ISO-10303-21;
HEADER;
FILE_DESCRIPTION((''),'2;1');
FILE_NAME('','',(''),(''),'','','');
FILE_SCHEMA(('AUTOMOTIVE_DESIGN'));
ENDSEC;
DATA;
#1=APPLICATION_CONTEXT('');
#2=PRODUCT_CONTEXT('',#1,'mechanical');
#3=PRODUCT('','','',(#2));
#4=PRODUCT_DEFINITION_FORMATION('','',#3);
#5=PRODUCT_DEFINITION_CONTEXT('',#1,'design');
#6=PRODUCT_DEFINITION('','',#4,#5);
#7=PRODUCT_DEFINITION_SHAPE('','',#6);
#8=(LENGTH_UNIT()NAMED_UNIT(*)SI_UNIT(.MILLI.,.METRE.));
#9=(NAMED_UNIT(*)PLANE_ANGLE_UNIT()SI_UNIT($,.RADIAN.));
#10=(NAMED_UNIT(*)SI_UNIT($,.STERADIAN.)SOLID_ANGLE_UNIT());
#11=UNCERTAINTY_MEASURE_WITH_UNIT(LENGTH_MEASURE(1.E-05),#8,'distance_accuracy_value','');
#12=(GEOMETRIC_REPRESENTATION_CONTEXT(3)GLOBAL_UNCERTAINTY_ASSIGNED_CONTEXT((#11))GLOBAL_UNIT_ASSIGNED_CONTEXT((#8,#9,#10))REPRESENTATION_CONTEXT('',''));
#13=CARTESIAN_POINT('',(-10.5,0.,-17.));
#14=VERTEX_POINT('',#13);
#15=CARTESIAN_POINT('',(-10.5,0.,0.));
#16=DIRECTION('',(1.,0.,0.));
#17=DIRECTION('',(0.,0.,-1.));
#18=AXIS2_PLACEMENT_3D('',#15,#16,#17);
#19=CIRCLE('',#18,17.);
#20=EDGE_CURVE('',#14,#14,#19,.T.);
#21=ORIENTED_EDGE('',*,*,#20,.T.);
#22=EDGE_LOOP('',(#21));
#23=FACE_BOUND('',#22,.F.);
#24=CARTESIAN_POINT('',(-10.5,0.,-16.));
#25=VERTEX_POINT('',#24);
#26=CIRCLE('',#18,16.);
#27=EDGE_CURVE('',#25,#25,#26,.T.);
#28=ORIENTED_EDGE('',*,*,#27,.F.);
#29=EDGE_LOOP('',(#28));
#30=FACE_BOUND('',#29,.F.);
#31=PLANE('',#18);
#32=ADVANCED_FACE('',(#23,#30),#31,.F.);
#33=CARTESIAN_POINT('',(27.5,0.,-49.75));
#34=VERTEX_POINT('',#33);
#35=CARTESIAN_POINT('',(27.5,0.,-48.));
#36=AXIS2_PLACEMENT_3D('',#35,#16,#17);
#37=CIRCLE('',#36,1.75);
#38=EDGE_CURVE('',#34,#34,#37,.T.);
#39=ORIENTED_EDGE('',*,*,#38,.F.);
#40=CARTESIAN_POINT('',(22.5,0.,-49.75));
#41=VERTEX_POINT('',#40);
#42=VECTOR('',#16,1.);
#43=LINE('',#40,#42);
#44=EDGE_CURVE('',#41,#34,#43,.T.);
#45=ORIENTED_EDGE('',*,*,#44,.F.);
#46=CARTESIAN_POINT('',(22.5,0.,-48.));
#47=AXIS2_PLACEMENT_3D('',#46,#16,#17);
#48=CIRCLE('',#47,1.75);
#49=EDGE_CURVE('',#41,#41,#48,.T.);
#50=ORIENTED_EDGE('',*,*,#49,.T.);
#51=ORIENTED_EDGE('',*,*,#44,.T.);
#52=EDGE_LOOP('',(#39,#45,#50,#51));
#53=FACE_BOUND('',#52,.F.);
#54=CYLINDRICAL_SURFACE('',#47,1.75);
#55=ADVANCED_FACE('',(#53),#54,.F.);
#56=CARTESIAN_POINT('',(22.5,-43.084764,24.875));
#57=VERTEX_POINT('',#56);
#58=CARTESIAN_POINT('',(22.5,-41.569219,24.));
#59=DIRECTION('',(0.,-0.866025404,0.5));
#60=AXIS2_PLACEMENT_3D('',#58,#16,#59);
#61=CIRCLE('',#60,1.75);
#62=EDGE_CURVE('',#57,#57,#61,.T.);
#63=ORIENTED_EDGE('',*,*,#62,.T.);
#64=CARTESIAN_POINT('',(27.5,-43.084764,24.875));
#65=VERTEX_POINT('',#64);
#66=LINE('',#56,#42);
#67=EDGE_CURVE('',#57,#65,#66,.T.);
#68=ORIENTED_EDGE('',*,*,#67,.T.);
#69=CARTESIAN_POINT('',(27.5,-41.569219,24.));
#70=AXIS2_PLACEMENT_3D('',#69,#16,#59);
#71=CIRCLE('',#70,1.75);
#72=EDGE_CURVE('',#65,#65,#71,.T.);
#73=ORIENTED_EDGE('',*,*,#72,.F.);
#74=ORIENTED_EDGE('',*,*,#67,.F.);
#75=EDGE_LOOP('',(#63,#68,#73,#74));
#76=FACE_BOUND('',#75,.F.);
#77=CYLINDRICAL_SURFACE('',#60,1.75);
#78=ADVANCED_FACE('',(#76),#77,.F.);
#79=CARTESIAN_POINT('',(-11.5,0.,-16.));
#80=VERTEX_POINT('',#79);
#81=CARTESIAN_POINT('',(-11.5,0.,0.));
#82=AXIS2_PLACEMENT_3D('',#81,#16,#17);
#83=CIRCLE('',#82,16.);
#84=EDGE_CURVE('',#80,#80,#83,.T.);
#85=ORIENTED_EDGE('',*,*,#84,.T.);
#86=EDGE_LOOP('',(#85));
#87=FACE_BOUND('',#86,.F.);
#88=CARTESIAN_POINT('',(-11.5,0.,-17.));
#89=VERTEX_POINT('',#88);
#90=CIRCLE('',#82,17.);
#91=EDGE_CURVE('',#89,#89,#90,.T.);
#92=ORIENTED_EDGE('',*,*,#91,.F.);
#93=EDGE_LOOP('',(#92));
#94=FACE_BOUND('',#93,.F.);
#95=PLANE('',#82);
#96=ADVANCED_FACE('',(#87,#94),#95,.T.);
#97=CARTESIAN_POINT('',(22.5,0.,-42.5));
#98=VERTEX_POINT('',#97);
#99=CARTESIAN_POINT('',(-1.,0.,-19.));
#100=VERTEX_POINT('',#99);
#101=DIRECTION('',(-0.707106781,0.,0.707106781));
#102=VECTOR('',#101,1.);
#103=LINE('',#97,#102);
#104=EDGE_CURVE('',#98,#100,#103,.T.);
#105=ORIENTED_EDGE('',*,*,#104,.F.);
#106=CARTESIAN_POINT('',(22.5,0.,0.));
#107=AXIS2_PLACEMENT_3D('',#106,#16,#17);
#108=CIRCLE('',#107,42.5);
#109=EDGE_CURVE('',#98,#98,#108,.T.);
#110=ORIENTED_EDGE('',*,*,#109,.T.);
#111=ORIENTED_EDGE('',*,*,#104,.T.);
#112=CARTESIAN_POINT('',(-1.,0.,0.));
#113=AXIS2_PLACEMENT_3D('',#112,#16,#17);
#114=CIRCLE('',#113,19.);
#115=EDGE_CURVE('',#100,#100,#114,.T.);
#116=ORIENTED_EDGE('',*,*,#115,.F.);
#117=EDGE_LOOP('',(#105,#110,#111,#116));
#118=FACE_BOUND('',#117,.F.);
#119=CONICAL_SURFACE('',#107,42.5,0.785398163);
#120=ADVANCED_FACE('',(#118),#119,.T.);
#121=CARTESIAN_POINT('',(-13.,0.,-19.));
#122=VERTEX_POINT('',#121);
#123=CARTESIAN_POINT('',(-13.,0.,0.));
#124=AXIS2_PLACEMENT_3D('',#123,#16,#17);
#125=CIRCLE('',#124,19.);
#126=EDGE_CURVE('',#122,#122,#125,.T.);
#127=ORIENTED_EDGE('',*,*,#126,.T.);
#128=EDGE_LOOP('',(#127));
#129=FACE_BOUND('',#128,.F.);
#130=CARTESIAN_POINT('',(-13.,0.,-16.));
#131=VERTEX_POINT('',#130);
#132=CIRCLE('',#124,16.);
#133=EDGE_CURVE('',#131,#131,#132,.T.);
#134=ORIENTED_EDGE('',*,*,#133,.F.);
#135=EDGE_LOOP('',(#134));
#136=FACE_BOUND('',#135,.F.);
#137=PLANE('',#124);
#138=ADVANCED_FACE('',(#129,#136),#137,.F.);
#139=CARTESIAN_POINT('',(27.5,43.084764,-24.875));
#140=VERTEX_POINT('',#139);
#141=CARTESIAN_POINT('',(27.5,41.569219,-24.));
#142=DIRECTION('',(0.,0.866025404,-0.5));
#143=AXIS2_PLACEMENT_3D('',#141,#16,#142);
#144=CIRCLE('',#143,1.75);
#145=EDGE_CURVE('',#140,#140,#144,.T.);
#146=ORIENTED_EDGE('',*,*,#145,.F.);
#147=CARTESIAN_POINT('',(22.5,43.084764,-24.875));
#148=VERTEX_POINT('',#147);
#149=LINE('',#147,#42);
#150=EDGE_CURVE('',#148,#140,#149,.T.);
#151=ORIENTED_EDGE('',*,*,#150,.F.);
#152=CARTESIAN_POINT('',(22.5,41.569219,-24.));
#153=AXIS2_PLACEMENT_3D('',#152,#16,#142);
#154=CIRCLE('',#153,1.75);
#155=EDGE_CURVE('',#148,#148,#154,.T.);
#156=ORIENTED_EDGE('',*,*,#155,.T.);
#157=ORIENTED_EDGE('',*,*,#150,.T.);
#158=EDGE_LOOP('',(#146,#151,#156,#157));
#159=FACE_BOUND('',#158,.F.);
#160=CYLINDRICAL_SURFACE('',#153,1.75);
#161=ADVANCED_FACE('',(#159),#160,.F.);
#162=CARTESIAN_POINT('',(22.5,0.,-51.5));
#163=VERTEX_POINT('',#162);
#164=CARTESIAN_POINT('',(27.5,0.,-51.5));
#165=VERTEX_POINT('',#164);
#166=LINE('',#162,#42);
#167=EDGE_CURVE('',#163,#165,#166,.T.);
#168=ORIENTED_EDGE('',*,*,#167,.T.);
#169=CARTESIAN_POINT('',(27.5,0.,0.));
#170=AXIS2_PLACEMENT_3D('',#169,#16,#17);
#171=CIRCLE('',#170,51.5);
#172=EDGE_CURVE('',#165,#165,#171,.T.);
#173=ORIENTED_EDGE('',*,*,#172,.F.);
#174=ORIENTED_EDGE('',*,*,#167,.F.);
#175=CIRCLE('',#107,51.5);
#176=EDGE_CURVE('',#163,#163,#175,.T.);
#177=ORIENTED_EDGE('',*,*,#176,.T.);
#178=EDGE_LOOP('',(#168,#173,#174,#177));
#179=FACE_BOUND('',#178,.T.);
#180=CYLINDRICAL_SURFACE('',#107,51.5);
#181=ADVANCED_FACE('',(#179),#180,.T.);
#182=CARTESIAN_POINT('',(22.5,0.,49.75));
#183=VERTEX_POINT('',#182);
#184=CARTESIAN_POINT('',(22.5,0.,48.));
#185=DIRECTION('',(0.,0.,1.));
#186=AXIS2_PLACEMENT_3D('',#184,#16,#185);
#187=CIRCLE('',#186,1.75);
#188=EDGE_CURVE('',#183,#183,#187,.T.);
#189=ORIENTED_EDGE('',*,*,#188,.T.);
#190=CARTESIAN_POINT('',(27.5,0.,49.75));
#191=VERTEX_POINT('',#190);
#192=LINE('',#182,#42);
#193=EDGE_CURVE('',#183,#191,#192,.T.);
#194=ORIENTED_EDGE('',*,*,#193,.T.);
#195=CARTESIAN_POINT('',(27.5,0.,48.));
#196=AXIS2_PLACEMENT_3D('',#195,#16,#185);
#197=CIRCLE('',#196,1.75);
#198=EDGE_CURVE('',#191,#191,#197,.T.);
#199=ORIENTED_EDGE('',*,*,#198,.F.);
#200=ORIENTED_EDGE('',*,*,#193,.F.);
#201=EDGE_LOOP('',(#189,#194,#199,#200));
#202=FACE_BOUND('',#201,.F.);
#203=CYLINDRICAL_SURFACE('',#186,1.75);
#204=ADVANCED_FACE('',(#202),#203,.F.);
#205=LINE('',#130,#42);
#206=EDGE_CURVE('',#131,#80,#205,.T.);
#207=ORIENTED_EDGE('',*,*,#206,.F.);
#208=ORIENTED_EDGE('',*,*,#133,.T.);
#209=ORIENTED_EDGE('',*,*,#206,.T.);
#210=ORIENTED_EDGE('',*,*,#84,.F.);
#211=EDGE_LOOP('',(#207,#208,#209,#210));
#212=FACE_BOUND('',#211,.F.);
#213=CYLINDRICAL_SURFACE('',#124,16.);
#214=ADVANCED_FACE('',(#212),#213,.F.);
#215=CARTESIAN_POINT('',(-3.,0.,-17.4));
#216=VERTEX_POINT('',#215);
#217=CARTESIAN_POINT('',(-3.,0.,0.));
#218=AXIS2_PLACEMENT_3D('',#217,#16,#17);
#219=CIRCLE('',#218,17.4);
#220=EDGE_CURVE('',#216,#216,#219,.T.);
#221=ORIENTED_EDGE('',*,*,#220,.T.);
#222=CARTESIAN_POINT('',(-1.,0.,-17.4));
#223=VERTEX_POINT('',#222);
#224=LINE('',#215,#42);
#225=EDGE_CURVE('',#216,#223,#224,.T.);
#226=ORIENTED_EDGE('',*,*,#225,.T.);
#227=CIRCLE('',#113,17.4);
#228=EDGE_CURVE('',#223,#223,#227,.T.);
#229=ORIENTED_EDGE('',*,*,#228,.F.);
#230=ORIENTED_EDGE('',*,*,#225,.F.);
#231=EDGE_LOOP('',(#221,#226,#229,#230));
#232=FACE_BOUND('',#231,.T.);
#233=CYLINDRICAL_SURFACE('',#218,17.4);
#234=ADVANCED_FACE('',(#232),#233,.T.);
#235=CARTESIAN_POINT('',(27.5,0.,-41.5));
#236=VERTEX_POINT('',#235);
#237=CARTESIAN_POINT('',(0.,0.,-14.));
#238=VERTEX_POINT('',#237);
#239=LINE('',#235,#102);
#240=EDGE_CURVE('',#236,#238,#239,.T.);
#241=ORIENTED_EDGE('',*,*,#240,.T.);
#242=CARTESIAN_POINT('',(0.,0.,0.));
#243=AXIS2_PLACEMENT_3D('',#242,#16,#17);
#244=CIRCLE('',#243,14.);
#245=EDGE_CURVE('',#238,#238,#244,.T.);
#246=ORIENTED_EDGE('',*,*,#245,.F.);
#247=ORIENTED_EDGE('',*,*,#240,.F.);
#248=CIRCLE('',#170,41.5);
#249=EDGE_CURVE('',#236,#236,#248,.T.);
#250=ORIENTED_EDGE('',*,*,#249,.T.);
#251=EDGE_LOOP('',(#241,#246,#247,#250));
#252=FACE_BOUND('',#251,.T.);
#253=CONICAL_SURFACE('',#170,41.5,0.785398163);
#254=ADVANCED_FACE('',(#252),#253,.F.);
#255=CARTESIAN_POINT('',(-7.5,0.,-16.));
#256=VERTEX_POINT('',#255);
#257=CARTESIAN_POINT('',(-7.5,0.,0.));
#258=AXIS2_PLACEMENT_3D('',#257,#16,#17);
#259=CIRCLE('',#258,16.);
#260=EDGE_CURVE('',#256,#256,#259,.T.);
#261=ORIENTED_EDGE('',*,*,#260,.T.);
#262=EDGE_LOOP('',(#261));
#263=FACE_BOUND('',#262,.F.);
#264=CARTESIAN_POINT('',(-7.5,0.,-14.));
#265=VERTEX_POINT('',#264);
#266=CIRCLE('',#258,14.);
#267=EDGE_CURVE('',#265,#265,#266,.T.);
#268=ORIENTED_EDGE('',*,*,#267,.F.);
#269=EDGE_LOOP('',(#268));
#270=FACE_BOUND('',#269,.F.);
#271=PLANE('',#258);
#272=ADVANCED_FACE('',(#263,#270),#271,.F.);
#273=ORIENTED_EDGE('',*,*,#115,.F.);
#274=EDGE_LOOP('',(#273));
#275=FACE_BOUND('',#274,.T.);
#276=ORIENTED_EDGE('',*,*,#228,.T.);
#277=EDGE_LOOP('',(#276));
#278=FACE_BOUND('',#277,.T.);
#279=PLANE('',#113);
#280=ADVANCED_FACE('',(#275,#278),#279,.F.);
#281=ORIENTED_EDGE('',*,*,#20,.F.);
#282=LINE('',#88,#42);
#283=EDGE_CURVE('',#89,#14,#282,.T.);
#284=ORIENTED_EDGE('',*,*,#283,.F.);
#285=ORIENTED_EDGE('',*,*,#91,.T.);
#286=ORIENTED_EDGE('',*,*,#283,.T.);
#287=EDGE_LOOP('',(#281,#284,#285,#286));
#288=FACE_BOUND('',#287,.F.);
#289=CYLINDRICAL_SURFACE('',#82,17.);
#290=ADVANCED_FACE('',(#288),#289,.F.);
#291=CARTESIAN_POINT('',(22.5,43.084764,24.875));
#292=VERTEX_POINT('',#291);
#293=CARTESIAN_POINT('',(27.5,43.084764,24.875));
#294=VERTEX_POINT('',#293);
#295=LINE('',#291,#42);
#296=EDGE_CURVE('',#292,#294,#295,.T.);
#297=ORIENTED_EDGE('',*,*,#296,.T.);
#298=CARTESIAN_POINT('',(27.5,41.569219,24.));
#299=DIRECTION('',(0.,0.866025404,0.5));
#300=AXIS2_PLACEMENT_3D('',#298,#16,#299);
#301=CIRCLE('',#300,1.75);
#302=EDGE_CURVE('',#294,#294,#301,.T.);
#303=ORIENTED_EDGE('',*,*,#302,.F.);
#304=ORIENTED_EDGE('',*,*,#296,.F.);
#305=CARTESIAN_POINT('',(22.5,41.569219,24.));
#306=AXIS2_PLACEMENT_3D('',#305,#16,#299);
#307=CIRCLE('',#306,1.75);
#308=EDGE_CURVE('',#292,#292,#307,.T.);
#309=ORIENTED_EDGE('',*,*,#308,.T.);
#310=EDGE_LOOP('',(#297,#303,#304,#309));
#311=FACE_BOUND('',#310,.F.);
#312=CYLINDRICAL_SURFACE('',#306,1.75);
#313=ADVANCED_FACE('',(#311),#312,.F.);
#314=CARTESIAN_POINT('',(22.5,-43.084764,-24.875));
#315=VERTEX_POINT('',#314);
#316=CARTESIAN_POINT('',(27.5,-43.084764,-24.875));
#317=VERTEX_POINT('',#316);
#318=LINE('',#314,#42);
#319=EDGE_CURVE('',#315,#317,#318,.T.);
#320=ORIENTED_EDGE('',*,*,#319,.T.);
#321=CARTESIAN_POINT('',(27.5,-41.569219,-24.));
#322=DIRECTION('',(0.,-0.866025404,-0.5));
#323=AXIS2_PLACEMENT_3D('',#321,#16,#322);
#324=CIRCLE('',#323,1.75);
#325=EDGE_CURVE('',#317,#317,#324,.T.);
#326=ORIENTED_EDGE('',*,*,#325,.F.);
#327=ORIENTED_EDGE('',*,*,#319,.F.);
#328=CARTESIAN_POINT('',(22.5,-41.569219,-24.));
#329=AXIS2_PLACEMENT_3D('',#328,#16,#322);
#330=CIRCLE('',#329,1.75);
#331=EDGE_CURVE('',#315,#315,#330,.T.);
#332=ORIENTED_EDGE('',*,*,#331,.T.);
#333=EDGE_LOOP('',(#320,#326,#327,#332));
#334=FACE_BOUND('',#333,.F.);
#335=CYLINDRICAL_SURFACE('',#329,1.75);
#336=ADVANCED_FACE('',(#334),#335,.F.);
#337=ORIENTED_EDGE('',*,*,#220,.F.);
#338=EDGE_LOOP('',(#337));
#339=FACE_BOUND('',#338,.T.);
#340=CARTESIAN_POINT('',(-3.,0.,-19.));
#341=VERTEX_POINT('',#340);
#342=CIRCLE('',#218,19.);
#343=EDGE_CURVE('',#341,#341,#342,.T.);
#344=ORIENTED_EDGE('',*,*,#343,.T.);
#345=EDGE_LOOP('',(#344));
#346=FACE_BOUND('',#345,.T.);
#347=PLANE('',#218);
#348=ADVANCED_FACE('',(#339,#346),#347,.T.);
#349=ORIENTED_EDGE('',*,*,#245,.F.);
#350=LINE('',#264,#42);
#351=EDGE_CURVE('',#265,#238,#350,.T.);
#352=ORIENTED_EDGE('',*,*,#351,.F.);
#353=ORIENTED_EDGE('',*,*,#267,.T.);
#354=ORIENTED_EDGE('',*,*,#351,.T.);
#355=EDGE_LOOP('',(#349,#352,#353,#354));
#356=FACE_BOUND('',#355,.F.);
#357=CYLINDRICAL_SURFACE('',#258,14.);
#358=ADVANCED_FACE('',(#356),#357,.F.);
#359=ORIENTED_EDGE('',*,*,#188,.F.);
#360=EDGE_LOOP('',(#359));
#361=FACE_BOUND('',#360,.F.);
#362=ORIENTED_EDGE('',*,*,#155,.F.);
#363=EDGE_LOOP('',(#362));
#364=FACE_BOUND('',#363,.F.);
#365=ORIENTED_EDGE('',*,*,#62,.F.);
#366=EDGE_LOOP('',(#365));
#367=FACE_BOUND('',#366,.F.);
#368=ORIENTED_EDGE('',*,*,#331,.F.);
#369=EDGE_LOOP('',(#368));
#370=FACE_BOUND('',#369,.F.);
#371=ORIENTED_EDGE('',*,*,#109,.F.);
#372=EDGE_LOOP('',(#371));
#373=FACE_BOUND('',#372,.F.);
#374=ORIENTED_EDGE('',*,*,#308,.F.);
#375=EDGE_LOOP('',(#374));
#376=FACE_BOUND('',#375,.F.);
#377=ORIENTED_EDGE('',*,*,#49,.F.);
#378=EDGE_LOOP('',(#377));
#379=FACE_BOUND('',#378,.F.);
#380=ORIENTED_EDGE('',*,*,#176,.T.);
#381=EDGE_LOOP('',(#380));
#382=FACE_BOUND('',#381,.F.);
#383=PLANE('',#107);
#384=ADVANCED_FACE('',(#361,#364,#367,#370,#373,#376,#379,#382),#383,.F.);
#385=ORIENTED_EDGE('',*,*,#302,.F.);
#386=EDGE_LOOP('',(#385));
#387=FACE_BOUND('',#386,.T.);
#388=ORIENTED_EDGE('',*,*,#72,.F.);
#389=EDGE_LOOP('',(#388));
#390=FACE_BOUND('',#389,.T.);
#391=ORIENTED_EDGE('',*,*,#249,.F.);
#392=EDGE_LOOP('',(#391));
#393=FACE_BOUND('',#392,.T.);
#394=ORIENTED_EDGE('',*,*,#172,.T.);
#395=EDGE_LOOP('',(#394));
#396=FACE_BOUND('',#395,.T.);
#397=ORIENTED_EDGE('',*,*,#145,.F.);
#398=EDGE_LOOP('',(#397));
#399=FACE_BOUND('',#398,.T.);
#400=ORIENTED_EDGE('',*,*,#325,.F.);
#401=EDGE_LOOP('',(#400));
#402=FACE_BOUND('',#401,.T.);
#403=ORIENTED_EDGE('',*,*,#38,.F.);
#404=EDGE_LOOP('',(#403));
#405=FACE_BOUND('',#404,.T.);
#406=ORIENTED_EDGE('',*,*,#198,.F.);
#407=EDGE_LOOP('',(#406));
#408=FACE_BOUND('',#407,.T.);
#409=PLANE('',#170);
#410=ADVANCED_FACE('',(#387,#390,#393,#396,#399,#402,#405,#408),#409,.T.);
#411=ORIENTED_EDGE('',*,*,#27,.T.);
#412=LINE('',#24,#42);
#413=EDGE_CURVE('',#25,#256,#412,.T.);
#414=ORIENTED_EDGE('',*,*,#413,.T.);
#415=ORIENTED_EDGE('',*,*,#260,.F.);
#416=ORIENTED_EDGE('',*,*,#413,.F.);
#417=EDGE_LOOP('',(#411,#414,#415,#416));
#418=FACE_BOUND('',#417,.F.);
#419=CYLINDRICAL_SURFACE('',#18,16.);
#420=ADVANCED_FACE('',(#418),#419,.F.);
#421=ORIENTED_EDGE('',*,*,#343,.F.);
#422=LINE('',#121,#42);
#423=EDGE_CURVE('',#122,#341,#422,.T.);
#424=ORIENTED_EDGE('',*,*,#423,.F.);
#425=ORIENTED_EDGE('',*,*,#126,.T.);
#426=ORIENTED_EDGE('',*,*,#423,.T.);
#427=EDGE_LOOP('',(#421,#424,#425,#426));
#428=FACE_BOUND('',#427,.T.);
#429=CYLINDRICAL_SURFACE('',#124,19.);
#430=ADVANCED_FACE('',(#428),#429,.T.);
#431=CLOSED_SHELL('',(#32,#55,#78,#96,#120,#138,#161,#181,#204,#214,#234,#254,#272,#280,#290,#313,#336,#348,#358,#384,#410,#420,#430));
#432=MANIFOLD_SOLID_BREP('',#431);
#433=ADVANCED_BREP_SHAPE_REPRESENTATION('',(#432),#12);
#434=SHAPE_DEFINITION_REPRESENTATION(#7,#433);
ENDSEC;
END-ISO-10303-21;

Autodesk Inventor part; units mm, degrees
ref_plane "YZ Plane" through (0, 0, 0) normal (1, 0, 0) x (0, 1, 0)
ref_plane "XZ Plane" through (0, 0, 0) normal (0, 1, 0) x (-1, 0, 0)
ref_plane "XY Plane" through (0, 0, 0) normal (0, 0, 1) x (1, 0, 0)
sketch "Sketch1" plane through (0, 0, 0) normal (0, 1, 0) x (-1, 0, 0)
  line L0 (0, 0) -> (-9.3015, 0)
  line L1 (7.5, -14) -> (0, -14)
  line L2 (13, -19) -> (13, -16)
  line L3 (7.5, -16) -> (7.5, -14)
  line L4 (13, -19) -> (3, -19)
  line L5 (3, -19) -> (3, -17.4)
  line L6 (3, -17.4) -> (1, -17.4)
  line L7 (1, -17.4) -> (1, -19)
  line L8 (-22.5, -51.5) -> (-27.5, -51.5)
  line L9 (-27.5, -51.5) -> (-27.5, -41.5)
  line L10 (-27.5, -41.5) -> (0, -14)
  line L11 (13, -16) -> (11.5, -16)
  line L12 (11.5, -16) -> (11.5, -17)
  line L13 (11.5, -17) -> (10.5, -17)
  line L14 (10.5, -17) -> (10.5, -16)
  line L15 (10.5, -16) -> (7.5, -16)
  line L16 (-22.5, -51.5) -> (-22.5, -42.5)
  line L17 (-22.5, -42.5) -> (1, -19)
  point P0 (25, -13.6173)
  dimension "d2" = 28
  dimension "d19" = 103
  dimension "d20" = 83
  dimension "d21" = 5
  dimension "d22" = 1.6
  dimension "d23" = 135
  dimension "d24" = 2
  dimension "d25" = 1
  dimension "d26" = 1
  dimension "d27" = 3
  dimension "d28" = 1.5
  dimension "d29" = 38
  dimension "d30" = 2
  dimension "d32" = 10
  dimension "d33" = 9
revolve "Revolution1" add sketch "Sketch1" angle 360 about axis through (0, 0, 0) along (1, 0, 0)
thread "Thread4" size "M38x1.5" class "6g" standard "ANSI Metric M Profile" full length
sketch "Sketch2" plane through (22.5, 0, 0) normal (-1, 0, 0) x (0, 0, 1)
  point P0 (0, 0)
  point P1 (48, 0)
  dimension "d36" = 48
hole "Hole1" at (22.5, 0, 48) direction (1, 0, 0) diameter 3.5 depth 5
pattern_circular "Circular Pattern1" count 6 over 360 about axis through (25, 0, 0) along (1, 0, 0) of "Hole1"
properties part number "027" material "Aluminum 6061"
